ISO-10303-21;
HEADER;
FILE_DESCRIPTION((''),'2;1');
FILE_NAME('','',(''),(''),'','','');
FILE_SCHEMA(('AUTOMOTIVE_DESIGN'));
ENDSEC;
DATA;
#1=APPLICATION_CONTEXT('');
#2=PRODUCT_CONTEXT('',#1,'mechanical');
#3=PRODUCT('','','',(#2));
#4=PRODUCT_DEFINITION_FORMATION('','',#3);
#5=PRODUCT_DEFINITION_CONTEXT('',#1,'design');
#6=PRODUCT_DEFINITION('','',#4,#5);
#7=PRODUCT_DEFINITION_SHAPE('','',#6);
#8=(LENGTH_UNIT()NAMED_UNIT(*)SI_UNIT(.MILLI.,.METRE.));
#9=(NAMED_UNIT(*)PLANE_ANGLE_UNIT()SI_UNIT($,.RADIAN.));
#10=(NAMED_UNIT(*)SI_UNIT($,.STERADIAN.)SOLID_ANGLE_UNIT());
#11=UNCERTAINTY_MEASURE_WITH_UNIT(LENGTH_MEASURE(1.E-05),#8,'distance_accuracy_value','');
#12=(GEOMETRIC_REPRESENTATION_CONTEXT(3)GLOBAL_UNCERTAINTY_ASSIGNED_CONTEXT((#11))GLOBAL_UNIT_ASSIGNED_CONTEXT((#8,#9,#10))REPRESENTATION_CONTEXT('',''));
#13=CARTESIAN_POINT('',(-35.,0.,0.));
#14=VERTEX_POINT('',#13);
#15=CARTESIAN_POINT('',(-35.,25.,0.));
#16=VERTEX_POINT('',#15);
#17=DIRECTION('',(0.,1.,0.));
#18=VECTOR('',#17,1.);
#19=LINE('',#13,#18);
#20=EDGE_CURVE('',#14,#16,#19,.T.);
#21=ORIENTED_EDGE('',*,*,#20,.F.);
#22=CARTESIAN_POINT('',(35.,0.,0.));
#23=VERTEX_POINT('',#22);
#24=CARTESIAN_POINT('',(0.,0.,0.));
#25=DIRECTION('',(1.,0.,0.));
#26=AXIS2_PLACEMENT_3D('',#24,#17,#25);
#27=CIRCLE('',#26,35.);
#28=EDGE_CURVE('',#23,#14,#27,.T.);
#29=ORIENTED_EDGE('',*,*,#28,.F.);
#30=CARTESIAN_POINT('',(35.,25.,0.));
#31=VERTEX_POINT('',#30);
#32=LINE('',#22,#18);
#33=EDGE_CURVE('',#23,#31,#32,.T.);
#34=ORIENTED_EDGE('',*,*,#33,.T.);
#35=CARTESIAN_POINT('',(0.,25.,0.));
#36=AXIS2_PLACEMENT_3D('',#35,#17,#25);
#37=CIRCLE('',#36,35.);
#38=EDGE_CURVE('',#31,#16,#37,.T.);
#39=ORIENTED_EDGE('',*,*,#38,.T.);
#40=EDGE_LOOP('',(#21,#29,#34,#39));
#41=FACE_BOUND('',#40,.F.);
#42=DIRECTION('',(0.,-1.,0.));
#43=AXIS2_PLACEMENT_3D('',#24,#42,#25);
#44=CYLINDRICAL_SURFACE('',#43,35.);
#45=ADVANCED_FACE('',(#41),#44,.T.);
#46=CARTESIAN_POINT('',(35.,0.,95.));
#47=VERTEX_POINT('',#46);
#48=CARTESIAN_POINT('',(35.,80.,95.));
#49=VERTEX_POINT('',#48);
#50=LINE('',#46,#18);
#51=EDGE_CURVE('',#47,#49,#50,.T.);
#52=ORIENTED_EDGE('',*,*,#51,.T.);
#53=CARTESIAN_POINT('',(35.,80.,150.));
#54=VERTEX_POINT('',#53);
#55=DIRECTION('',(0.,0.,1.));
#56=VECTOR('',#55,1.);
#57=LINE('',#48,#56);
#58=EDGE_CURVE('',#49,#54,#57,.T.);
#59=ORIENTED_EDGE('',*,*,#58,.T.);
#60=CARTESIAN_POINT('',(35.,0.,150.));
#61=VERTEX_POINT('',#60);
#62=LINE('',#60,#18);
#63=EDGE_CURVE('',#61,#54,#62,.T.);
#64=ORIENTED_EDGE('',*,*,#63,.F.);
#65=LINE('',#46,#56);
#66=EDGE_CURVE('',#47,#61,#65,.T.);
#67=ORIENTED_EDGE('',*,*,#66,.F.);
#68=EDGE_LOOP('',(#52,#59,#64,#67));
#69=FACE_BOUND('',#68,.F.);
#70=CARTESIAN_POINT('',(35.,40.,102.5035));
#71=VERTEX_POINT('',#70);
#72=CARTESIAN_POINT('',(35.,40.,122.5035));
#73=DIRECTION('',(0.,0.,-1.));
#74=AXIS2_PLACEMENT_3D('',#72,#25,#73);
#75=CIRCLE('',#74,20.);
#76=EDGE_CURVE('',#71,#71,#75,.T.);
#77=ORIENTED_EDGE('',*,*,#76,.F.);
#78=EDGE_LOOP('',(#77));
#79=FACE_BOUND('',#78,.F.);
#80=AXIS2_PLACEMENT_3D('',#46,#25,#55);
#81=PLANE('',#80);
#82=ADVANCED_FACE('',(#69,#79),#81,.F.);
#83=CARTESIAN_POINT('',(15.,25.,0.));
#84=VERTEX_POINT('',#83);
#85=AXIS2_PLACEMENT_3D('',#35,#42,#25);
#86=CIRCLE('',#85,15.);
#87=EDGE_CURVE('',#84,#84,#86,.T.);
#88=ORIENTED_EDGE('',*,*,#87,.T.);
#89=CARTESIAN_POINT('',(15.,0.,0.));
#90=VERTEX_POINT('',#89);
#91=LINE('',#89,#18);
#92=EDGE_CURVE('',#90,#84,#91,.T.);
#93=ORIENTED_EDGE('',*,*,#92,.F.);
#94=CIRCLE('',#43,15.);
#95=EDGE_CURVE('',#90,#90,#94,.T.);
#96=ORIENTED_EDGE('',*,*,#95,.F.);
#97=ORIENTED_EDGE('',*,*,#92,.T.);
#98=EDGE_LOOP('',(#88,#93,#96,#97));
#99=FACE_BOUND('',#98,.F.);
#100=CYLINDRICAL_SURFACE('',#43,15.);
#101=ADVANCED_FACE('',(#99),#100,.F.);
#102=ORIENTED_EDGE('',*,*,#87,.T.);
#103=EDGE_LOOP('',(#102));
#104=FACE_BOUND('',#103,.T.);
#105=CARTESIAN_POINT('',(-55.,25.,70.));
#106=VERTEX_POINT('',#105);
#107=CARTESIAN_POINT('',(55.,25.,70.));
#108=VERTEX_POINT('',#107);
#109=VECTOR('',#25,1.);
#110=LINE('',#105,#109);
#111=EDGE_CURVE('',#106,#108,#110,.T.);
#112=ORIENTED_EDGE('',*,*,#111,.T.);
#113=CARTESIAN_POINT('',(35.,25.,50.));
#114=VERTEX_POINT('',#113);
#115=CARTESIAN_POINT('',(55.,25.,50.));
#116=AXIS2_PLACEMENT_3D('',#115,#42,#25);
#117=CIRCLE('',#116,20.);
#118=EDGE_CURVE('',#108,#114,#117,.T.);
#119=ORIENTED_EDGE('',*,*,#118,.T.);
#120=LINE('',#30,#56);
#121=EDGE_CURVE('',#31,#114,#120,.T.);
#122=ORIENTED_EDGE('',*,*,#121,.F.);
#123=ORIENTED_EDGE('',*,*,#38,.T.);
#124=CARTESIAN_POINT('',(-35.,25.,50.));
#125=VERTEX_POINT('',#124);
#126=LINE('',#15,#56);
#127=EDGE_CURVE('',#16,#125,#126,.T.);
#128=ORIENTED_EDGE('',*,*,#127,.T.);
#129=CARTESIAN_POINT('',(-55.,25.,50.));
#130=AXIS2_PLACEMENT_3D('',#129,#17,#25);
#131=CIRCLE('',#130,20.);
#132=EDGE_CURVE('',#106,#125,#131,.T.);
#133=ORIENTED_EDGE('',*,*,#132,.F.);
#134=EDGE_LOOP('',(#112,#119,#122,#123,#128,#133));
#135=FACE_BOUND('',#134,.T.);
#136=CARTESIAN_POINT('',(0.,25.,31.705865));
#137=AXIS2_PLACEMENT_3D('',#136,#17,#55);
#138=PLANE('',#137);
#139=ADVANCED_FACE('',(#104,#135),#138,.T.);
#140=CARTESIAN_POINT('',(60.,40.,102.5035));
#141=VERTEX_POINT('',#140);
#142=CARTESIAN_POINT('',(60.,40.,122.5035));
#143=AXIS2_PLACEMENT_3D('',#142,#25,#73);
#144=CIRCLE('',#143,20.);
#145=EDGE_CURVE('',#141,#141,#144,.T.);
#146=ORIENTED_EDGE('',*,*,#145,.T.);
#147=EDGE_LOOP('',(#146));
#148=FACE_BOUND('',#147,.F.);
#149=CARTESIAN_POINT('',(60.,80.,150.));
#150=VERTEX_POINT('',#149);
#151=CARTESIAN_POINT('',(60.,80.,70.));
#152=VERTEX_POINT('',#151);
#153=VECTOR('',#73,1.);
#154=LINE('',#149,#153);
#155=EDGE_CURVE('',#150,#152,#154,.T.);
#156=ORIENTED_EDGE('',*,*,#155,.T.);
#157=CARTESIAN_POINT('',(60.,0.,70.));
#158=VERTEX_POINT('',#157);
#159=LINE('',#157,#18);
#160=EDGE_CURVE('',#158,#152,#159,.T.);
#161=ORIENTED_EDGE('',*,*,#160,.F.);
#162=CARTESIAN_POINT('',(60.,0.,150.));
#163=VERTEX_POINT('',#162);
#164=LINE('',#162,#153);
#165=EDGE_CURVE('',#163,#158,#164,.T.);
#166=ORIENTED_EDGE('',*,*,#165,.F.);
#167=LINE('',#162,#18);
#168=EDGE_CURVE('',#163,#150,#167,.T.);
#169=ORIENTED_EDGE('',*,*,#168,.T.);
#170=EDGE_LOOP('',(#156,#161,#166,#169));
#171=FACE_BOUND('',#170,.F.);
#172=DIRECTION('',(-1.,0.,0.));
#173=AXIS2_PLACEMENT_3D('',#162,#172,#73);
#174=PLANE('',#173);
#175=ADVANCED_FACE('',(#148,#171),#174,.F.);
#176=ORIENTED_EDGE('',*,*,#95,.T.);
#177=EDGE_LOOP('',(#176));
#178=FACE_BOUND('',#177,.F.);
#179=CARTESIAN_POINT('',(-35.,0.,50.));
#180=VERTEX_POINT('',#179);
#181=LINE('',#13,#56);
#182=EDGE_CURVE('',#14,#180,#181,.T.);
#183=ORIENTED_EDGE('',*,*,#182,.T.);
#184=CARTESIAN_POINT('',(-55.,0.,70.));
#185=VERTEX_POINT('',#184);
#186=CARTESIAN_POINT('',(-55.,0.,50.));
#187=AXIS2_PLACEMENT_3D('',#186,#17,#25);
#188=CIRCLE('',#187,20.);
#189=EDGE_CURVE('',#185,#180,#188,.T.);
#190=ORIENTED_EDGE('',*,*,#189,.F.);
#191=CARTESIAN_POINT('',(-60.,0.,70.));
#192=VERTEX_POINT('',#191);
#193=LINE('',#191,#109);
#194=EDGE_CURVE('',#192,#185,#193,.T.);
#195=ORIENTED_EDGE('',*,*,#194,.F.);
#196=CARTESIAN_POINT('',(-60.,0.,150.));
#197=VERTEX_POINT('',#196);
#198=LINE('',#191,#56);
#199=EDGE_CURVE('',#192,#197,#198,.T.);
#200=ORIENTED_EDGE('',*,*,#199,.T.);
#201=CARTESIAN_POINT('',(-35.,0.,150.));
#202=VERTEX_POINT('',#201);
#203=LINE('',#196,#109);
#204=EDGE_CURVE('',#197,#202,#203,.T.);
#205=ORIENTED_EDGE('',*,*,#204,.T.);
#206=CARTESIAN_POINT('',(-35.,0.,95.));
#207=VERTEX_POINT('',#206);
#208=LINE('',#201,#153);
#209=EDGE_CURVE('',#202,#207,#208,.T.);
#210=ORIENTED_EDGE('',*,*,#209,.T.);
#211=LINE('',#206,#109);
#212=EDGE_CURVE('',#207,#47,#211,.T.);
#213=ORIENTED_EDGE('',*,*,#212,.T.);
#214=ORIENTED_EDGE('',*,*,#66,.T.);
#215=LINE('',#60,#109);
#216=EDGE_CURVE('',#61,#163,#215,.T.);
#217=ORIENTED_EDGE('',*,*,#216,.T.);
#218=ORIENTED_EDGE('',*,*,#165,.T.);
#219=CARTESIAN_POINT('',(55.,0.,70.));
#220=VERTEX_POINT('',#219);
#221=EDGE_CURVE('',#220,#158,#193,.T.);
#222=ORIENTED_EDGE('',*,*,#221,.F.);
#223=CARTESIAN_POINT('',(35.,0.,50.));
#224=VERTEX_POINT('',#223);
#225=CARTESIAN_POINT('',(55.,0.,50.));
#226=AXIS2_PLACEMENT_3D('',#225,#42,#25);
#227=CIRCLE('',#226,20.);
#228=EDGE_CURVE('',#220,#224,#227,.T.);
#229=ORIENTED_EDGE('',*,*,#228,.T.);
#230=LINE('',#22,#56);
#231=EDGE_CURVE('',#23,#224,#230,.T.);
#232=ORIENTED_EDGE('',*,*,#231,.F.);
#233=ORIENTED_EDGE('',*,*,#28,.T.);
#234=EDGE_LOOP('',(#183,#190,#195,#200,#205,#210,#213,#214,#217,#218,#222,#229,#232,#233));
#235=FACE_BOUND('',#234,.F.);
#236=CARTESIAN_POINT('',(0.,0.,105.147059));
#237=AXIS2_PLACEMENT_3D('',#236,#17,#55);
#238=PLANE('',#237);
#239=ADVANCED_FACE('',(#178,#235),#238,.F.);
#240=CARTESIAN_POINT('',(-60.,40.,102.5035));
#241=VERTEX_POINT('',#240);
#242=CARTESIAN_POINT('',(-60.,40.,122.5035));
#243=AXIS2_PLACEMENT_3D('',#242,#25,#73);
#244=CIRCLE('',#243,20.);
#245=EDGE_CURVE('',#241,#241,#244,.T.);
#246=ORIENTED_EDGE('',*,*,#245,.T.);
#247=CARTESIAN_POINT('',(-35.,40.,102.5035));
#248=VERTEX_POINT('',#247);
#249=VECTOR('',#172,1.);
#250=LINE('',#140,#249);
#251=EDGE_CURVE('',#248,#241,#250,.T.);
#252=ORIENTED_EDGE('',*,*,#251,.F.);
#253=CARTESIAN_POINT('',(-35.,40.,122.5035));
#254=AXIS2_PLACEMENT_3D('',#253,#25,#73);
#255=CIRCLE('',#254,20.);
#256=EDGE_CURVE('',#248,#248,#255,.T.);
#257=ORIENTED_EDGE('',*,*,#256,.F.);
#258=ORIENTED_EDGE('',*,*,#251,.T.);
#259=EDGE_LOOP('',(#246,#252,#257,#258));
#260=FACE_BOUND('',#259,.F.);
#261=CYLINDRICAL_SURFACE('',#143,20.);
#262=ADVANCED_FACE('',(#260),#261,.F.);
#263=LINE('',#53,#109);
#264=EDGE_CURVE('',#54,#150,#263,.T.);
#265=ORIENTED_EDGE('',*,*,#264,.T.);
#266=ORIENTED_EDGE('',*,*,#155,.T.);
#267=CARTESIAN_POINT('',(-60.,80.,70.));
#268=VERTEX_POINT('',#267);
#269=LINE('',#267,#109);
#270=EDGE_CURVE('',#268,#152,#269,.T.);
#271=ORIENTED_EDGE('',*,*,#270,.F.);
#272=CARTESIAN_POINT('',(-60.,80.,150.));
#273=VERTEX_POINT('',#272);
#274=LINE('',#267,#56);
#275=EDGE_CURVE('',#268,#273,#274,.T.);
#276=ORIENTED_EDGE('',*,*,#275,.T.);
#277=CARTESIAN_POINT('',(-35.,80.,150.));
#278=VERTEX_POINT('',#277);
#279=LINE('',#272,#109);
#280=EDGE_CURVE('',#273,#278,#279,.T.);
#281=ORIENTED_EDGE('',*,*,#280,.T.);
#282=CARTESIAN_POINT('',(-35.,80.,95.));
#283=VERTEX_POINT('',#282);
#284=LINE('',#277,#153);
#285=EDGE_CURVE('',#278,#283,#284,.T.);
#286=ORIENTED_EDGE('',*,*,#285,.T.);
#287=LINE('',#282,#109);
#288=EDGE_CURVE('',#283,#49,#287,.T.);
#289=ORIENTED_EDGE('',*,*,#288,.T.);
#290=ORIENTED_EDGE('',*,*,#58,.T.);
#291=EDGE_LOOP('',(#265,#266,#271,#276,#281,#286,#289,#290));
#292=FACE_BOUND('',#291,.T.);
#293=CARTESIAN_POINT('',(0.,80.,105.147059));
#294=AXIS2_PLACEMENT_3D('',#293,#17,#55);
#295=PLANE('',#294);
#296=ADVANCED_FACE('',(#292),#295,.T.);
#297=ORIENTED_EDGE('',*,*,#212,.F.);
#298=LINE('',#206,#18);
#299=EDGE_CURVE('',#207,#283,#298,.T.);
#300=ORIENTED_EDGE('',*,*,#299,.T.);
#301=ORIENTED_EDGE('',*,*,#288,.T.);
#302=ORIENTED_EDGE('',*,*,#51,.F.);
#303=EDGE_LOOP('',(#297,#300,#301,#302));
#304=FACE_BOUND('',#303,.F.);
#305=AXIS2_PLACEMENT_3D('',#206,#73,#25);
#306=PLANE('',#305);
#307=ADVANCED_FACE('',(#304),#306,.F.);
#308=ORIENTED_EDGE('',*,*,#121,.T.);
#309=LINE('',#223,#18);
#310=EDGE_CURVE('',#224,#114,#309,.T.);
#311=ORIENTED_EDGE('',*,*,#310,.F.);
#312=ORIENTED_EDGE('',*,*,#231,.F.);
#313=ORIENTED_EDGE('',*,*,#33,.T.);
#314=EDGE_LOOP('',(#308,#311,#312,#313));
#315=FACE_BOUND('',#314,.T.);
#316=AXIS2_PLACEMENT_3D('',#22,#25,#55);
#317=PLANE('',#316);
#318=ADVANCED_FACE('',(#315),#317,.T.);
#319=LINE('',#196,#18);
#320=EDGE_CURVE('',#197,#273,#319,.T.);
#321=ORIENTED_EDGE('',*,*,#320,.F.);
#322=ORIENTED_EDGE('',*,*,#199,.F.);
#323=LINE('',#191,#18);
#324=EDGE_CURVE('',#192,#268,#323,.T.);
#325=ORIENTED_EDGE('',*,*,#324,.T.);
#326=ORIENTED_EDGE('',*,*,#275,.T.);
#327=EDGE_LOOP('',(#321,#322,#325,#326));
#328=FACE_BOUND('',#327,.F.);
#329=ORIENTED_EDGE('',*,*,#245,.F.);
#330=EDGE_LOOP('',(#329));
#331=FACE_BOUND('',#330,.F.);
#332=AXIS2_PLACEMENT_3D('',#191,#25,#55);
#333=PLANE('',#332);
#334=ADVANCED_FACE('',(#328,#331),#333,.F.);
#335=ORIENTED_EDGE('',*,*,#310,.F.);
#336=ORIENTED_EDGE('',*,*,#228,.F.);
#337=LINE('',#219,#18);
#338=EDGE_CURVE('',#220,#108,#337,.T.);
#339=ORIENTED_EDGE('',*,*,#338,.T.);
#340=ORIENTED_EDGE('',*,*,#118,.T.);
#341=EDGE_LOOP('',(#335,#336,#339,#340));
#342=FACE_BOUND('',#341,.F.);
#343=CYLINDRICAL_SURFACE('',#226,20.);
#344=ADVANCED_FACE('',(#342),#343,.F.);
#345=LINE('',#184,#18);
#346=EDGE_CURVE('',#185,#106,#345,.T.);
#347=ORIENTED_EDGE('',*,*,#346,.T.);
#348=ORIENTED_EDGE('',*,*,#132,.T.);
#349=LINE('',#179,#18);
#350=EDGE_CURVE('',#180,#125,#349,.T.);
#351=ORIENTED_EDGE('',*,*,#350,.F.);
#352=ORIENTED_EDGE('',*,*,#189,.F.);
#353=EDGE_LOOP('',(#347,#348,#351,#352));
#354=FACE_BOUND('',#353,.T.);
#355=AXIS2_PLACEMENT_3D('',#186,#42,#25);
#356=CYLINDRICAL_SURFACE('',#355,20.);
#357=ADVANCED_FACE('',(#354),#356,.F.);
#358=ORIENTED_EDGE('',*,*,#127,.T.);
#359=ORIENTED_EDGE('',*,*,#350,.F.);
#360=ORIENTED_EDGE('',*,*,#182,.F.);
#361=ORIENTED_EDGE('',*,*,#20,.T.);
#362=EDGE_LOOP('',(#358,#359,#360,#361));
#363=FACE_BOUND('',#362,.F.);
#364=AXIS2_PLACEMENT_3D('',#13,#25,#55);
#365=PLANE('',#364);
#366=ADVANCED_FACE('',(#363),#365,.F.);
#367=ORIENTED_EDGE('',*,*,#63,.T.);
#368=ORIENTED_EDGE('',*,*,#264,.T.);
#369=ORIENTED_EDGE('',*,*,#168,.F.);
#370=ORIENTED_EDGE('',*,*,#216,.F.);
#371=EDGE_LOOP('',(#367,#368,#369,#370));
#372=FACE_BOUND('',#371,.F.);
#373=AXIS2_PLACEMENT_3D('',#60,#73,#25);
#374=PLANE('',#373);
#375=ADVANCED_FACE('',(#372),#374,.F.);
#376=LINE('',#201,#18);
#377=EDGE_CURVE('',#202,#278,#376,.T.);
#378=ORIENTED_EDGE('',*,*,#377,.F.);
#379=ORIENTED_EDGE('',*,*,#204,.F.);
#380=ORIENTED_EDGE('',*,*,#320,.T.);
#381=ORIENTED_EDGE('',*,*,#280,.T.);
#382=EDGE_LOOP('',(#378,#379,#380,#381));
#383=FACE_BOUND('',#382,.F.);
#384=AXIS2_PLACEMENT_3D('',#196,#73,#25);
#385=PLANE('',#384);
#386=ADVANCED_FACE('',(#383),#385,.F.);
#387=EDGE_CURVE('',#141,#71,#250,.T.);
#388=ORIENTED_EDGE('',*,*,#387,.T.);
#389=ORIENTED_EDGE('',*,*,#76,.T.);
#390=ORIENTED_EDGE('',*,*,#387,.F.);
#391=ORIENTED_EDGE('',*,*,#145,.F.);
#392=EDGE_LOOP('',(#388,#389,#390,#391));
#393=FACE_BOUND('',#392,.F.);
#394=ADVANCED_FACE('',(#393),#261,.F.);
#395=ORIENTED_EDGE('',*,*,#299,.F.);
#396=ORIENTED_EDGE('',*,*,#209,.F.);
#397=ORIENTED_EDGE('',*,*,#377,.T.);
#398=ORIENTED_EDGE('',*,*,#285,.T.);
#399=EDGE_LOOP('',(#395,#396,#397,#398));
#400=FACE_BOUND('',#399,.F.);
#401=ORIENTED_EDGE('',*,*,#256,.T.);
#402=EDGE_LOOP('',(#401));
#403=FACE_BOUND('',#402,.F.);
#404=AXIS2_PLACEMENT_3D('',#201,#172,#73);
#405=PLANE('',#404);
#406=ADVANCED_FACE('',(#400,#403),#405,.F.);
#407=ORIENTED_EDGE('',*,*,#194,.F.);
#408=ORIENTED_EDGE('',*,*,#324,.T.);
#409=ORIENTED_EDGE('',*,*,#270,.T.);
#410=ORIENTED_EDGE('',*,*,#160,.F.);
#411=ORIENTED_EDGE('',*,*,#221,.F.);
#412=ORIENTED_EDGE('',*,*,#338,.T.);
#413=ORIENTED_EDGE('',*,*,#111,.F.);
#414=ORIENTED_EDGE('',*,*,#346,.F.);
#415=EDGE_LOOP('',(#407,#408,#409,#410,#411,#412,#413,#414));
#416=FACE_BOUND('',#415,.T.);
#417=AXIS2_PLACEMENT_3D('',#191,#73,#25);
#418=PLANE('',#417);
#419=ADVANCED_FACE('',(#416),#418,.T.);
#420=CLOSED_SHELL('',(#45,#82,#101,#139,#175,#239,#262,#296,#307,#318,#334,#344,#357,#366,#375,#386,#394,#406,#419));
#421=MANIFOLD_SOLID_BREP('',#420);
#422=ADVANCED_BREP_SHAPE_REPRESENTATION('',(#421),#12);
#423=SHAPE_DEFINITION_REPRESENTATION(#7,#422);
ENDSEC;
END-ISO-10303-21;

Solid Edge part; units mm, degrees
sketch "Sketch1" plane through (0, 0, 0) normal (0, -1, 0) x (1, 0, 0)
  line L0 (-55, 70) -> (55, 70)
  arc A0 (55, 70) -> (35, 50) centre (55, 50) ccw
  line L1 (35, 0) -> (35, 50)
  line L2 (-35, 0) -> (-35, 50)
  arc A1 (-55, 70) -> (-35, 50) centre (-55, 50) cw
  arc A2 (35, 0) -> (-35, 0) centre (0, 0) cw
extrude "Protrusion1" add sketch "Sketch1" against normal blind 25
sketch "Sketch2" plane through (0, 0, 17.5) normal (0, -1, 0) x (1, 0, 0)
  line L0 (-60, 132.5) -> (-35, 132.5)
  line L1 (-35, 132.5) -> (-35, 77.5)
  line L2 (-35, 77.5) -> (35, 77.5)
  line L3 (35, 77.5) -> (35, 132.5)
  line L4 (35, 132.5) -> (60, 132.5)
  line L5 (60, 132.5) -> (60, 52.5)
  line L6 (-60, 52.5) -> (60, 52.5)
  line L7 (-60, 52.5) -> (-60, 132.5)
extrude "ExtrudedProtrusion_2" add sketch "Sketch2" against normal blind 80
sketch "Sketch3" plane through (0, 0, 57.5) normal (0, -1, 0) x (1, 0, 0)
  circle A0 centre (0, -57.5) radius 15
extrude "ExtrudedCutout_1" cut sketch "Sketch3" against normal blind 25
sketch "Sketch4" plane through (60, 40, 110) normal (1, 0, 0) x (0, 0, -1)
  circle A0 centre (-12.5035, 0) radius 20
extrude "ExtrudedCutout_5" cut sketch "Sketch4" against normal blind 120
